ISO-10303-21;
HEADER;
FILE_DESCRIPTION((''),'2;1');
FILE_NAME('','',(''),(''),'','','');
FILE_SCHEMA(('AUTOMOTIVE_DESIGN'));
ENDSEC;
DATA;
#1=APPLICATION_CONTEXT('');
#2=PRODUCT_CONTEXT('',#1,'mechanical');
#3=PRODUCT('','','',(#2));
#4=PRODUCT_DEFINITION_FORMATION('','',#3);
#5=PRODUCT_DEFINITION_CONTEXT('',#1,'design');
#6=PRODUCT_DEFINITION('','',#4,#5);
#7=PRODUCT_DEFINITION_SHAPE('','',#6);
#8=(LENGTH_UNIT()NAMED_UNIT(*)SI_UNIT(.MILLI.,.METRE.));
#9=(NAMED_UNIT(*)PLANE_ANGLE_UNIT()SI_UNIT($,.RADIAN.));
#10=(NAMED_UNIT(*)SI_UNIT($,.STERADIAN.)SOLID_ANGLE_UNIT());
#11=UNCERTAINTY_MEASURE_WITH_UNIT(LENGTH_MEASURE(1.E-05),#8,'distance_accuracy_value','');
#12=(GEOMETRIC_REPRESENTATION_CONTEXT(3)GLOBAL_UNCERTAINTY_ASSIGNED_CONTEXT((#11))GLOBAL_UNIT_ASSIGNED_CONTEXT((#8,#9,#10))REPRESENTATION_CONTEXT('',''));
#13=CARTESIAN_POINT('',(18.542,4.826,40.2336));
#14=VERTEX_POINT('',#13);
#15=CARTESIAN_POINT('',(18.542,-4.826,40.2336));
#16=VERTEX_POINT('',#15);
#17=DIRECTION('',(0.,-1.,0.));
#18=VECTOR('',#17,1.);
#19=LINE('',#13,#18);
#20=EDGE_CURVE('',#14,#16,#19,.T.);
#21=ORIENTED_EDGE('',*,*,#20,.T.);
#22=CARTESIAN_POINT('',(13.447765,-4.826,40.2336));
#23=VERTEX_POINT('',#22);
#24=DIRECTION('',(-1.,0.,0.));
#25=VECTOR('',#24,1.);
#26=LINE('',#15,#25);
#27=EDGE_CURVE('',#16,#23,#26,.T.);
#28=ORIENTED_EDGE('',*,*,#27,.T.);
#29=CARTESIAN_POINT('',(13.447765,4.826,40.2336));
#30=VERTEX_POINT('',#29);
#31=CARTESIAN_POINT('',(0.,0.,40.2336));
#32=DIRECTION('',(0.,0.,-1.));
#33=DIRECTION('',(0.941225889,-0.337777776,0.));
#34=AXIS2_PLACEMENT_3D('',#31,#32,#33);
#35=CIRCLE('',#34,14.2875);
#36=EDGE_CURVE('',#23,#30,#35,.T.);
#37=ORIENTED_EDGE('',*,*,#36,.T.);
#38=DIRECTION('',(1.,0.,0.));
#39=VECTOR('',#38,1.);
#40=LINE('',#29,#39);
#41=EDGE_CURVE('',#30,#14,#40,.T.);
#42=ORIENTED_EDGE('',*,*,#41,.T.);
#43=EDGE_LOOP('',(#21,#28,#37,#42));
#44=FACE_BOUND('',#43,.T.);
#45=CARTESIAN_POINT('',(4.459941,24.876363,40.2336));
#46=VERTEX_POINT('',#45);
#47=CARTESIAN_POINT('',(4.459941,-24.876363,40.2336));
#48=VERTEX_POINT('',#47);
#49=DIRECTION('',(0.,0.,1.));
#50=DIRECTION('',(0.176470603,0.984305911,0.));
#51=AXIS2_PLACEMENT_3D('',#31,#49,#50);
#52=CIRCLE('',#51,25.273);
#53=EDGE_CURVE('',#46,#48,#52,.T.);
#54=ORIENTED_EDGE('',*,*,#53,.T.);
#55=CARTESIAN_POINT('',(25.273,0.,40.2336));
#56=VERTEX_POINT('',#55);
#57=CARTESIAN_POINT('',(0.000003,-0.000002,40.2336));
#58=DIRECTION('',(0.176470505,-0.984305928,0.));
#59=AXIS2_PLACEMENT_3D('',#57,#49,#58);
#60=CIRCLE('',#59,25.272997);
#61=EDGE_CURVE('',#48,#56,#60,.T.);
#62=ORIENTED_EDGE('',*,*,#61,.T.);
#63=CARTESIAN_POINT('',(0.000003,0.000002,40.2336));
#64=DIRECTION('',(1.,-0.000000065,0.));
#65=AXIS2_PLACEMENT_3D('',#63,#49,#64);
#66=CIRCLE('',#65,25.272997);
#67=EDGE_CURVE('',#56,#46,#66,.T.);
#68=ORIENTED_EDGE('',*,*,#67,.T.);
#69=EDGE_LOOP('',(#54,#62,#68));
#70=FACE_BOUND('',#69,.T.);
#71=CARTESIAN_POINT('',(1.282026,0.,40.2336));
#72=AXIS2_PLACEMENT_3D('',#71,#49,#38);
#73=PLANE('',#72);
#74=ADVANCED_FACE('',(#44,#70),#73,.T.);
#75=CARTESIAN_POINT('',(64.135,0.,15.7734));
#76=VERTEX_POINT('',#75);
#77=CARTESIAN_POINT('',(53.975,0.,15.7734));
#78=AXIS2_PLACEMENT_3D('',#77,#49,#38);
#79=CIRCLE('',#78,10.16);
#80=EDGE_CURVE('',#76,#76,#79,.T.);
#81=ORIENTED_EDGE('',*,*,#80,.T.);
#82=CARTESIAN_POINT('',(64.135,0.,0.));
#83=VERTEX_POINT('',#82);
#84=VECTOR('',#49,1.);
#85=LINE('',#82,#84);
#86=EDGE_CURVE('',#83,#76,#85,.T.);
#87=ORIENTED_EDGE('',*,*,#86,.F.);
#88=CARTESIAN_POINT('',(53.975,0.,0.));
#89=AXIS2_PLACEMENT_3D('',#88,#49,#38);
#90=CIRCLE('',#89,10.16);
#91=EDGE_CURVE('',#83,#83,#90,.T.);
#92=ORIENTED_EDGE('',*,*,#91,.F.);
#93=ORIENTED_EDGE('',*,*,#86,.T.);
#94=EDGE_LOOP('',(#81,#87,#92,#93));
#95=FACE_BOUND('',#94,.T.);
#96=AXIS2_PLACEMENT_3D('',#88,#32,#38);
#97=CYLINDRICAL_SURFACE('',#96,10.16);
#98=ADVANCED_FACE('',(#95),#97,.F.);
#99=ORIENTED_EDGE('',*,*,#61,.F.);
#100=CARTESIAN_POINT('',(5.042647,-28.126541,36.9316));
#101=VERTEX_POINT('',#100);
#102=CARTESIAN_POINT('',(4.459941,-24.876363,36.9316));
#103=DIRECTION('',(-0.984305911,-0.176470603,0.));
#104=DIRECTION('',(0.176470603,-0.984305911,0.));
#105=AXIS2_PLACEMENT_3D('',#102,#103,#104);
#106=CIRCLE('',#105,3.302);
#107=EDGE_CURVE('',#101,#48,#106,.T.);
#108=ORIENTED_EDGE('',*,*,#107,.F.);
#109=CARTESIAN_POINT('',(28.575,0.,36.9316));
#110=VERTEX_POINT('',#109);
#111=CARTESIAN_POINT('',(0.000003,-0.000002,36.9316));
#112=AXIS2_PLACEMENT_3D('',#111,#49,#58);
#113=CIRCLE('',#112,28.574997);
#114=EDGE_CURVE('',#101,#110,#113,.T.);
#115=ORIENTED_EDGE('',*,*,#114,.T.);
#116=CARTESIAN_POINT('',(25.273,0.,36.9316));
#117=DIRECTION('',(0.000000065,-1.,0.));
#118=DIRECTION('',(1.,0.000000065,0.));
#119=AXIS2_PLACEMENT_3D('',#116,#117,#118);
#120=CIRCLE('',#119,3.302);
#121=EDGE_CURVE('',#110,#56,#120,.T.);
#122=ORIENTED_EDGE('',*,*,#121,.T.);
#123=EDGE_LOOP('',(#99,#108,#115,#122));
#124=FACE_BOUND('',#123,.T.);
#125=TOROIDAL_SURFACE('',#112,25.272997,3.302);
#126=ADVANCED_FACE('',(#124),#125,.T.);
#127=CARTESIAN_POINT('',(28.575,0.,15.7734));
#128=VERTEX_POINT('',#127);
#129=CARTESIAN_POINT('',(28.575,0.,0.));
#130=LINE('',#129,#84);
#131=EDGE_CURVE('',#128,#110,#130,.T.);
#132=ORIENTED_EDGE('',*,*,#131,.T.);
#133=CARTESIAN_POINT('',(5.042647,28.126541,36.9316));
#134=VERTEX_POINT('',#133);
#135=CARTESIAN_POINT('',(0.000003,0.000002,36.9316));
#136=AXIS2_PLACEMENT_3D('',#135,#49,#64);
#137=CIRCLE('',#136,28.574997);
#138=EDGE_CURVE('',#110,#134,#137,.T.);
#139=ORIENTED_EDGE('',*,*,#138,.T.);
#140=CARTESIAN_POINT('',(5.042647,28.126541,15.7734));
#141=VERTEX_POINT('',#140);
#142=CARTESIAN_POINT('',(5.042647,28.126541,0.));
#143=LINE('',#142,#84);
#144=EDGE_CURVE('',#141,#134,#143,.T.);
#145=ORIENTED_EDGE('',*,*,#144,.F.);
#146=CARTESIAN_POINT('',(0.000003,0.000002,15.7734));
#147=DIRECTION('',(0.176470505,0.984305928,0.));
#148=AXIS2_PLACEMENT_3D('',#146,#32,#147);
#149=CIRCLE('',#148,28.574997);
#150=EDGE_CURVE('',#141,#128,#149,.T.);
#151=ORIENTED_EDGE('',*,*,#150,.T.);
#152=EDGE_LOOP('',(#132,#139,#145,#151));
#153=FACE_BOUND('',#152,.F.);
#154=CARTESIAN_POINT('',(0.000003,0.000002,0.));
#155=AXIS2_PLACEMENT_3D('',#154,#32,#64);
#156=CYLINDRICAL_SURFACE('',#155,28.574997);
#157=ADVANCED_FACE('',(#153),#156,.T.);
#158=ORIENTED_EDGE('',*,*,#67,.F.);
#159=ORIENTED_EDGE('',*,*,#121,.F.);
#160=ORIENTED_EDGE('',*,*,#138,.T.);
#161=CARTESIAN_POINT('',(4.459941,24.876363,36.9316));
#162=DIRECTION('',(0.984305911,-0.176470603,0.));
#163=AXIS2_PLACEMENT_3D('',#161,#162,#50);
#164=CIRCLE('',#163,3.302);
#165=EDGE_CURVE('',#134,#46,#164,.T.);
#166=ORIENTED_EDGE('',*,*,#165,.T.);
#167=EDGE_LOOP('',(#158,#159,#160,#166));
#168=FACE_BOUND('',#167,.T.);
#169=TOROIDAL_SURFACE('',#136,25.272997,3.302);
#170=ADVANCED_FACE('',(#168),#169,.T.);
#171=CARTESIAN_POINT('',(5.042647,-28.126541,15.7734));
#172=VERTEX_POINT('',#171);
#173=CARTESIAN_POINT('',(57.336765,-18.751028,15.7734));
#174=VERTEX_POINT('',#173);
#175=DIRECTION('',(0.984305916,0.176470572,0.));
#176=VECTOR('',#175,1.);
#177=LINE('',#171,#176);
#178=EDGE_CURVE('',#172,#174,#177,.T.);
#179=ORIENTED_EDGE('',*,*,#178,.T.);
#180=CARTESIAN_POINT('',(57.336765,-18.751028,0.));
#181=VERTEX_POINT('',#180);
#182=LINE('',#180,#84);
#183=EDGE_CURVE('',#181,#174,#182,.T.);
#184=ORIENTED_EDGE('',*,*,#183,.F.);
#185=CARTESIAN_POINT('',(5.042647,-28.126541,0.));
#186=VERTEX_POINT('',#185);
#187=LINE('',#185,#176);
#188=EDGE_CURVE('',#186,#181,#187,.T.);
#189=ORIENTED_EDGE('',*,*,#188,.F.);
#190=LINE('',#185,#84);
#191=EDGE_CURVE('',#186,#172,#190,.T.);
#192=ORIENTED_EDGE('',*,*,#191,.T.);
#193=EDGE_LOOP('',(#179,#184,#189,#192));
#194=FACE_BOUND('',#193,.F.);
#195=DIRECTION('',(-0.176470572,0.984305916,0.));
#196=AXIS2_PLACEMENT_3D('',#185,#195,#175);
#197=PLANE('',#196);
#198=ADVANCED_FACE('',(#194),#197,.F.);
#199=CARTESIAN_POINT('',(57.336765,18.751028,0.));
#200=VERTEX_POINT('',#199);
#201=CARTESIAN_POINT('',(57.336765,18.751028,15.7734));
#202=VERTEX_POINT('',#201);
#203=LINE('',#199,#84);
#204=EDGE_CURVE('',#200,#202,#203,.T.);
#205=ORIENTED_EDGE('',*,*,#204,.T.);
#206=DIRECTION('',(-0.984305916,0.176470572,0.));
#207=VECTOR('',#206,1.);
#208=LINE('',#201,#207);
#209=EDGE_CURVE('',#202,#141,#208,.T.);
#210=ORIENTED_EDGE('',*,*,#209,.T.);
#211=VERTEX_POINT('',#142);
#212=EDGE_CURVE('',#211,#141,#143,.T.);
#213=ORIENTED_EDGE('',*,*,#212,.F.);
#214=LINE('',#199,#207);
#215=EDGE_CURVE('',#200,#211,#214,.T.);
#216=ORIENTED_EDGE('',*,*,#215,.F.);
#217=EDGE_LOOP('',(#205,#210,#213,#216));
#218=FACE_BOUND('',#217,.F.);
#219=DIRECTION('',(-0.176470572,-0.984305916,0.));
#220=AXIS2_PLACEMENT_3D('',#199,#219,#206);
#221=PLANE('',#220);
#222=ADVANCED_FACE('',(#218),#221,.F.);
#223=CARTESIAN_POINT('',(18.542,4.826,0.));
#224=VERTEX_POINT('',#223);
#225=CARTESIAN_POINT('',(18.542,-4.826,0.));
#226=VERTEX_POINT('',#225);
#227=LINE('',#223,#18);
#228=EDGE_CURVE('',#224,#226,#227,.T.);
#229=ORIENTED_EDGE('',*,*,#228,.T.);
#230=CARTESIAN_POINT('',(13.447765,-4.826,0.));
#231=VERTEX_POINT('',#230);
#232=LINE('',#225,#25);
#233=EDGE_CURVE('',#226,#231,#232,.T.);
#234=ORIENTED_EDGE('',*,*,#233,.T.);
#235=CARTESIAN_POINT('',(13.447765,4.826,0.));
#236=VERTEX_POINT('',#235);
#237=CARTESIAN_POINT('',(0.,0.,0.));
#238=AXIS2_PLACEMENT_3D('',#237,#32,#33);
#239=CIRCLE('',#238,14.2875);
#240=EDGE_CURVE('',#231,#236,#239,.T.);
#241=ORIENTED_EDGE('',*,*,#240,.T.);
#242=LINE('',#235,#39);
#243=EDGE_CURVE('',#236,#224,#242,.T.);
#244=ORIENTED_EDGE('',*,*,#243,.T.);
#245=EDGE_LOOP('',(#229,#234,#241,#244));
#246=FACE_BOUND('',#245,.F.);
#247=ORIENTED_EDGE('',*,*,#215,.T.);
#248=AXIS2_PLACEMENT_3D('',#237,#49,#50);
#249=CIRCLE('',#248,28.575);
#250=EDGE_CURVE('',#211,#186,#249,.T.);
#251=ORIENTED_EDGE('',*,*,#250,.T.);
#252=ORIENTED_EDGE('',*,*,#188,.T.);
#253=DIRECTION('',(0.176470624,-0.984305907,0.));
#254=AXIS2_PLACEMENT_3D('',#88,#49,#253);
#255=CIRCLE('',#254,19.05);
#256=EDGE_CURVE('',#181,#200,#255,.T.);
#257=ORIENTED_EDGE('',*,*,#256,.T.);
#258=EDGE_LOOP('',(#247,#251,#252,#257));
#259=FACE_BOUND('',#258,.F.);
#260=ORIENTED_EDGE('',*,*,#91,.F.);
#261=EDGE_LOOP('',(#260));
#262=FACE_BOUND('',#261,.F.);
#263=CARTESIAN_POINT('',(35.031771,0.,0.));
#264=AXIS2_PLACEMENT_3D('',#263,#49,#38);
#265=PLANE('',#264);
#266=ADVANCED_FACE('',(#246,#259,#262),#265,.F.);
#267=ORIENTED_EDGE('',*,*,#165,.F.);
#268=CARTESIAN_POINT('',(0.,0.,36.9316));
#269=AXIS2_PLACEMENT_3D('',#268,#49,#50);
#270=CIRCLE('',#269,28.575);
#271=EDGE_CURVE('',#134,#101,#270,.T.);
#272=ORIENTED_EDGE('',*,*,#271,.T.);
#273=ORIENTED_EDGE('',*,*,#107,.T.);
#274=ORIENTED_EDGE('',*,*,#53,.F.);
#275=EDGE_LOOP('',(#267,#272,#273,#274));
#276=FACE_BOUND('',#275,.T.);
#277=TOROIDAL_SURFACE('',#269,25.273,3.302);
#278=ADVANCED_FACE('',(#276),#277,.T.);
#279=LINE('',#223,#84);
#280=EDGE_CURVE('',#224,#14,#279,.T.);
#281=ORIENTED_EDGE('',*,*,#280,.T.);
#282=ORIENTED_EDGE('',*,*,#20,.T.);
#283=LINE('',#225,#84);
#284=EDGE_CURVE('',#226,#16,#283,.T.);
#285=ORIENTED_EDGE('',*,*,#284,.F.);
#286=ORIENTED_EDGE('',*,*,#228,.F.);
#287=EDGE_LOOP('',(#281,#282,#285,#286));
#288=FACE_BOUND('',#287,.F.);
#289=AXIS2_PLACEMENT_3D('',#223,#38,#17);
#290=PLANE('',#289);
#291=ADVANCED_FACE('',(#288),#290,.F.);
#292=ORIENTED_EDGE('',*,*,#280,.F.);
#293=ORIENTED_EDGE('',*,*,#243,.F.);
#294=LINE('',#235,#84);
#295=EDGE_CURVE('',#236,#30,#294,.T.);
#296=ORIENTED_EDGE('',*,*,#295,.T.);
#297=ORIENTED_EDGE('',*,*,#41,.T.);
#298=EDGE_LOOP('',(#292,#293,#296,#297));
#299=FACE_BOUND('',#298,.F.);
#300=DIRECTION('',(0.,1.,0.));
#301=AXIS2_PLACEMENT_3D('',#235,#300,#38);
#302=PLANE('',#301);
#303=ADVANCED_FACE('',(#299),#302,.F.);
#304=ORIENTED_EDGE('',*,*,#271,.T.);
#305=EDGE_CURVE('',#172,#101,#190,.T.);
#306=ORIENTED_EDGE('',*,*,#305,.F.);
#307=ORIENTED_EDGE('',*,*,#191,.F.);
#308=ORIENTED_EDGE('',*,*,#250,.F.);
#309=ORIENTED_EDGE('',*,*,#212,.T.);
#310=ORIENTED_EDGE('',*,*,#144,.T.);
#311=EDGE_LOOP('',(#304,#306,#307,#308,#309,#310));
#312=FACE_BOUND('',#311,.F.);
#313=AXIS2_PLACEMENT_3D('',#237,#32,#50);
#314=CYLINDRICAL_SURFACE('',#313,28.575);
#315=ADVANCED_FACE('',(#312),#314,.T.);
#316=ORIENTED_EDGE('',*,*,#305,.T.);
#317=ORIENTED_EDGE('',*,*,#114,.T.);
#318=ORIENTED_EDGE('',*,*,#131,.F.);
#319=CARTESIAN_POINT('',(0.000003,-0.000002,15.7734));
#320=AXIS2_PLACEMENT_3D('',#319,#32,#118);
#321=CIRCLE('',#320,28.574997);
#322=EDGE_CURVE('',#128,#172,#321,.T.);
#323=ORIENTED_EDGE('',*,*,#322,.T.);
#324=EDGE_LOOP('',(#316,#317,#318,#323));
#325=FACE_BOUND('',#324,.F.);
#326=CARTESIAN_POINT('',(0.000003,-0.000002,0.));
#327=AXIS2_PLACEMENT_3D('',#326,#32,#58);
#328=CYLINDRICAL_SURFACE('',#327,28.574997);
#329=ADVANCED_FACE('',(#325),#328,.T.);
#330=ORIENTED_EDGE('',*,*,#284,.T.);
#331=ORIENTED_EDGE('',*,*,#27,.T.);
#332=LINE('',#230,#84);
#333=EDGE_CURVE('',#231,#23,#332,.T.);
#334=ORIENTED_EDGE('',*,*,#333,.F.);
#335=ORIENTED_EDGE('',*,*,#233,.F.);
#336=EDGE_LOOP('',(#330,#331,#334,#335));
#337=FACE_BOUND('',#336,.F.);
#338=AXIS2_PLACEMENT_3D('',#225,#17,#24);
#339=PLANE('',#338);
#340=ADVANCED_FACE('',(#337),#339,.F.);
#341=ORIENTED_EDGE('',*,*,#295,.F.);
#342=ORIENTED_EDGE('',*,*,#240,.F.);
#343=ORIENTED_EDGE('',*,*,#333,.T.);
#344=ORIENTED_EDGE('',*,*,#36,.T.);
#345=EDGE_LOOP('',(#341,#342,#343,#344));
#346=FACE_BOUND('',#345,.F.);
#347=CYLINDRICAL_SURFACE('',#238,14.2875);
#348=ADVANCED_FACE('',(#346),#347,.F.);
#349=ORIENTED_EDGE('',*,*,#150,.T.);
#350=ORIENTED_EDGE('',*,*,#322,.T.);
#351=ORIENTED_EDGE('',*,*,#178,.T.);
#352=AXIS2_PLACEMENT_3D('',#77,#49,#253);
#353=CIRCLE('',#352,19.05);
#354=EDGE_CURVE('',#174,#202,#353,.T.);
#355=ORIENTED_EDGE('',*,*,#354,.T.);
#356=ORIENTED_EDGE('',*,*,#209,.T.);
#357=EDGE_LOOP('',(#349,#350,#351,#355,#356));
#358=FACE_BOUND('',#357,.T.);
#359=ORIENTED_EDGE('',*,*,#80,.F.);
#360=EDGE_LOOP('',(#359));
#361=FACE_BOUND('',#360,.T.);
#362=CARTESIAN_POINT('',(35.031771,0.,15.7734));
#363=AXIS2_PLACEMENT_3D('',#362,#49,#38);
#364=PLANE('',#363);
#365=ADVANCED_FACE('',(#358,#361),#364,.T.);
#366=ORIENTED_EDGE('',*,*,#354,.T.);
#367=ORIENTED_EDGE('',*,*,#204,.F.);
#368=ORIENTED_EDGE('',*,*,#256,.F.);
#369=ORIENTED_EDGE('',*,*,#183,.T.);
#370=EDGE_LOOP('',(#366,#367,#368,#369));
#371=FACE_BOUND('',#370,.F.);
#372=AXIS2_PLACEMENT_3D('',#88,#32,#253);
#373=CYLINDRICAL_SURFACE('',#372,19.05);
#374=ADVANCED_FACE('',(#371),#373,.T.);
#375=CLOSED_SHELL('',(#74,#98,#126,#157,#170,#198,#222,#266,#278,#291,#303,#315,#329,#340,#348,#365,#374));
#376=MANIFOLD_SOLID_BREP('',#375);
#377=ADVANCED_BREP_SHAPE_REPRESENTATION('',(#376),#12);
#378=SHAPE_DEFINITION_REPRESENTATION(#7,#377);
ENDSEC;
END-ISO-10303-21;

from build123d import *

# Parameters (mm, degrees)
F1_DEPTH = 40.2336
F0_R     = 10.16
F2_DEPTH = 15.7734
F3_R     = 3.302


with BuildPart() as f1:
    # F0 (on Top) → F1 (new body)
    with BuildSketch(Plane.XY):
        with BuildLine():
            ThreePointArc((5.042647, 28.126541), (-28.575, 0), (5.042647, -28.126541))
            ThreePointArc((5.042647, -28.126541), (21.916025, -18.336262), (28.575, 0))
            ThreePointArc((28.575, 0), (21.916025, 18.336262), (5.042647, 28.126541))
        make_face()
        with BuildLine():
            ThreePointArc((13.447765, -4.826), (-14.2875, 0), (13.447765, 4.826))
            Line((13.447765, 4.826), (18.542, 4.826))
            Line((18.542, 4.826), (18.542, -4.826))
            Line((18.542, -4.826), (13.447765, -4.826))
        make_face(mode=Mode.SUBTRACT)
    extrude(amount=F1_DEPTH)

    # F0 (on Top) → F2 (join)
    with BuildSketch(Plane.XY):
        with BuildLine():
            Line((5.042647, -28.126541), (57.336765, -18.751028))
            ThreePointArc((57.336765, -18.751028), (73.025, 0), (57.336765, 18.751028))
            Line((57.336765, 18.751028), (5.042647, 28.126541))
            ThreePointArc((5.042647, 28.126541), (21.916025, 18.336262), (28.575, 0))
            ThreePointArc((28.575, 0), (21.916025, -18.336262), (5.042647, -28.126541))
        make_face()
        with Locations((53.975, 0)):
            Circle(F0_R, mode=Mode.SUBTRACT)
    extrude(amount=F2_DEPTH)

    # F3
    f3_edges = [f1.edges().sort_by_distance(p)[0] for p in [
        (-5.042647, 28.126541, 40.2336),
    ]]
    fillet(f3_edges, radius=F3_R)


solid = f1.part
